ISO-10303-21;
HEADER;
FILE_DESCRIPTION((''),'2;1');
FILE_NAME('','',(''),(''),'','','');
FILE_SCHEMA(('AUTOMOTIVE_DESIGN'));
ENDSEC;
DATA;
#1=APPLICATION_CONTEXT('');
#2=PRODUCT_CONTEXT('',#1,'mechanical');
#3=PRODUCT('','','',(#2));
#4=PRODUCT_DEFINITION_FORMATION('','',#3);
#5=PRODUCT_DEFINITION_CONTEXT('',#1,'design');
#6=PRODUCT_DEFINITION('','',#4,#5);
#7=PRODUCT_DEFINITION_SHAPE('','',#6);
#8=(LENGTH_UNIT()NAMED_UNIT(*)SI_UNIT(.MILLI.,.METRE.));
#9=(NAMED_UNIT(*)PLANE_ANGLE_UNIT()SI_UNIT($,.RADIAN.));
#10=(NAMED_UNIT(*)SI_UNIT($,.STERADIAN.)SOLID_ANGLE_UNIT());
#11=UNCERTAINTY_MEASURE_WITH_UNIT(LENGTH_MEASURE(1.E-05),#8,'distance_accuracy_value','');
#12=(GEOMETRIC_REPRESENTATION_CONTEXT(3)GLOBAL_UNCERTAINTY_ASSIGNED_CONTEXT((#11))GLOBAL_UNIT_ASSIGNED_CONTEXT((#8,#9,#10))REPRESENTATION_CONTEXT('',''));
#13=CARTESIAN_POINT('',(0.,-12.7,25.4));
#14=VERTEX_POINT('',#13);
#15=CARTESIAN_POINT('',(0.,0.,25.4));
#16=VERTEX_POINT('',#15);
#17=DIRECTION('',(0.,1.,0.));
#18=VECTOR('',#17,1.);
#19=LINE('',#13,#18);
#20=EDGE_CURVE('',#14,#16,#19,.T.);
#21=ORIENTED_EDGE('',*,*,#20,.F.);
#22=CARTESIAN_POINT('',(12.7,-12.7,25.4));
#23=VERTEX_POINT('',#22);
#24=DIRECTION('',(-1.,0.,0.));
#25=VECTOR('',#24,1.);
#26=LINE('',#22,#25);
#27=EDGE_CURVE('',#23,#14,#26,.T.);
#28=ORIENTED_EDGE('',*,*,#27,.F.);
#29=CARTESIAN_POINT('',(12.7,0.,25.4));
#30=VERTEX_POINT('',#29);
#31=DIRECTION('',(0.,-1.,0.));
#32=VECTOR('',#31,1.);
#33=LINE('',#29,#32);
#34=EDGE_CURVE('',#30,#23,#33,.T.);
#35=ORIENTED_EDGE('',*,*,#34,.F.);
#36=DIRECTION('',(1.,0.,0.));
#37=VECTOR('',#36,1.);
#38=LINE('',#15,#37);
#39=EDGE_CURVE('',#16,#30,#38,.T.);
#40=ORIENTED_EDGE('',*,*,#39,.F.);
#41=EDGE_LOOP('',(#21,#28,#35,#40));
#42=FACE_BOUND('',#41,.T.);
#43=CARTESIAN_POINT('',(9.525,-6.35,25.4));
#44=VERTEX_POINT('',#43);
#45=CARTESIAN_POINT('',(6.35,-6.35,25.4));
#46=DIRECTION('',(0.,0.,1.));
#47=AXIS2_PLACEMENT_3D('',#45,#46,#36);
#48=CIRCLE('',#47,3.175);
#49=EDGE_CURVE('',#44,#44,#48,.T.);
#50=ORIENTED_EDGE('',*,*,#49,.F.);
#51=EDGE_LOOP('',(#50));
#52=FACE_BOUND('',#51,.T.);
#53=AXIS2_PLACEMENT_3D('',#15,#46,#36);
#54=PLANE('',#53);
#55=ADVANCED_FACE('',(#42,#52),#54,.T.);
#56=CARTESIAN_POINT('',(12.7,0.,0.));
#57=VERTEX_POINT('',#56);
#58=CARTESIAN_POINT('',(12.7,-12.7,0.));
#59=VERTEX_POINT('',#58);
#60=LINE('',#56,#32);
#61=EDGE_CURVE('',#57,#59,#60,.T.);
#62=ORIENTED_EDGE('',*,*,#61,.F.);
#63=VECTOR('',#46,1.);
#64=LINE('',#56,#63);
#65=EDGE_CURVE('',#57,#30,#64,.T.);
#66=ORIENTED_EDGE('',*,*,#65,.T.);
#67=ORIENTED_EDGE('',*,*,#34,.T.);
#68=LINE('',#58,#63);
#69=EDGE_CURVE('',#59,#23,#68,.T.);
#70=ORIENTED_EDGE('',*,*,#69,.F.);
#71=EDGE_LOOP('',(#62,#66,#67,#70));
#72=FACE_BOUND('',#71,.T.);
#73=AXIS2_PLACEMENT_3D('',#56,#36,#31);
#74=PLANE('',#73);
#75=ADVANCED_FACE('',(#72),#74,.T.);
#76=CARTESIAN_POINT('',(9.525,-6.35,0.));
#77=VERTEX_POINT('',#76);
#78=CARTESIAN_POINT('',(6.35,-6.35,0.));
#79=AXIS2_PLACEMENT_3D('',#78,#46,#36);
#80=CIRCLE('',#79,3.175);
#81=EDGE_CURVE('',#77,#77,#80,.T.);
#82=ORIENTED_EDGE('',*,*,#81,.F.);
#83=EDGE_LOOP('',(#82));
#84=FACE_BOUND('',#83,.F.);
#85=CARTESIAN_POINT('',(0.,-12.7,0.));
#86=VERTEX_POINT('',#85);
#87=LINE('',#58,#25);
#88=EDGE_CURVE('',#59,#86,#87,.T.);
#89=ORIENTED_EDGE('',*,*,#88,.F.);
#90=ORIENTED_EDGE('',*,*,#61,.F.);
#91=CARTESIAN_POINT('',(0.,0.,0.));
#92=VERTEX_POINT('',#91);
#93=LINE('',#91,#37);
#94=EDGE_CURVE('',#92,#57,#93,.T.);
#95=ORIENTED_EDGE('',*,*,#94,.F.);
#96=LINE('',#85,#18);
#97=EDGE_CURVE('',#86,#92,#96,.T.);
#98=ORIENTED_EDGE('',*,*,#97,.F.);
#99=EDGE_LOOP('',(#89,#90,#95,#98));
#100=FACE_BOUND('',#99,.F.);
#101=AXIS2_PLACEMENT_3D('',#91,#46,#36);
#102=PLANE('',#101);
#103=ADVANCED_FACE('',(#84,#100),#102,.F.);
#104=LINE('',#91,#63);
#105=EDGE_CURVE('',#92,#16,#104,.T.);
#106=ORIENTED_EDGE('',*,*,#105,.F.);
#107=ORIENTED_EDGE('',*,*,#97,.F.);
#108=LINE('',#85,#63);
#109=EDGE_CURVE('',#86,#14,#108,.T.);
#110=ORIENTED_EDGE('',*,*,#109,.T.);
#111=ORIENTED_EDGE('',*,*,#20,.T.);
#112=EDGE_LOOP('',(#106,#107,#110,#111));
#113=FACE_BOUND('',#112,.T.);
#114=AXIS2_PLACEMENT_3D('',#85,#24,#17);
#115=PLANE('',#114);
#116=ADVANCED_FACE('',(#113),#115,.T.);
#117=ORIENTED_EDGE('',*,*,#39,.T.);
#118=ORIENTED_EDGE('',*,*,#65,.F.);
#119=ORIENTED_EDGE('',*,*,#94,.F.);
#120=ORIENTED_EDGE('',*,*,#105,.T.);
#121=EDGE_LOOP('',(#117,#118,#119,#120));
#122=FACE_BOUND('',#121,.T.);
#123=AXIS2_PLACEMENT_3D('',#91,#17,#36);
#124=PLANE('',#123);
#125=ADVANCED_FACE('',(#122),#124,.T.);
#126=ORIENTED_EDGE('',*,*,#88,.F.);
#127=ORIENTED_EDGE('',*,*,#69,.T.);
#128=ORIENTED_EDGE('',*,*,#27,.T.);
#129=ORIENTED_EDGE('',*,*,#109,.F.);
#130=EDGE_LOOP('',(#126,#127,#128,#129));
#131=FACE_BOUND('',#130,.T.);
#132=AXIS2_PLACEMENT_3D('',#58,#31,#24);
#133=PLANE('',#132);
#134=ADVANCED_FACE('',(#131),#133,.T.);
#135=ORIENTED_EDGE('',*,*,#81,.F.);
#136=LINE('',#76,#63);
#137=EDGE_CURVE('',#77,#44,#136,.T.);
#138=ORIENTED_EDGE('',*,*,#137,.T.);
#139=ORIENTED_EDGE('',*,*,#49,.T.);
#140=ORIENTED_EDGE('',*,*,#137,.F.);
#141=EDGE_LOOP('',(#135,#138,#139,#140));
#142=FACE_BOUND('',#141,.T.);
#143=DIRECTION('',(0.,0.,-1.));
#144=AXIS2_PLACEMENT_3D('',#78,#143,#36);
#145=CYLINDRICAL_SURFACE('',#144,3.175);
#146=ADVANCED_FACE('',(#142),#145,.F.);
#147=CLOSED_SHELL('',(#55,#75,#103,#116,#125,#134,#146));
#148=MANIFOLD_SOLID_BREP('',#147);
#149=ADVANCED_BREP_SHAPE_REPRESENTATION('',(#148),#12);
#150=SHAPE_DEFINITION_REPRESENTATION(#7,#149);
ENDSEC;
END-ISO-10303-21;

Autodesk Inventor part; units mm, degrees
ref_plane "YZ Plane" through (0, 0, 0) normal (1, 0, 0) x (0, 1, 0)
ref_plane "XZ Plane" through (0, 0, 0) normal (0, 1, 0) x (-1, 0, 0)
ref_plane "XY Plane" through (0, 0, 0) normal (0, 0, 1) x (1, 0, 0)
sketch "Sketch1" plane through (0, 0, 0) normal (0, 0, 1) x (1, 0, 0)
  line L0 (0, 0) -> (12.7, 0)
  line L1 (12.7, 0) -> (12.7, -12.7)
  line L2 (12.7, -12.7) -> (0, -12.7)
  line L3 (0, -12.7) -> (0, 0)
  circle A0 centre (6.35, -6.35) radius 3.175
  dimension "d0" = 6.35
  dimension "d1" = 12.7
  dimension "d2" = 12.7
  dimension "d3" = 6.35
  dimension "d4" = 6.35
extrude "Extrusion1" add sketch "Sketch1" along normal blind 25.4
properties part number "boltholder" material "Aluminum 6061"
